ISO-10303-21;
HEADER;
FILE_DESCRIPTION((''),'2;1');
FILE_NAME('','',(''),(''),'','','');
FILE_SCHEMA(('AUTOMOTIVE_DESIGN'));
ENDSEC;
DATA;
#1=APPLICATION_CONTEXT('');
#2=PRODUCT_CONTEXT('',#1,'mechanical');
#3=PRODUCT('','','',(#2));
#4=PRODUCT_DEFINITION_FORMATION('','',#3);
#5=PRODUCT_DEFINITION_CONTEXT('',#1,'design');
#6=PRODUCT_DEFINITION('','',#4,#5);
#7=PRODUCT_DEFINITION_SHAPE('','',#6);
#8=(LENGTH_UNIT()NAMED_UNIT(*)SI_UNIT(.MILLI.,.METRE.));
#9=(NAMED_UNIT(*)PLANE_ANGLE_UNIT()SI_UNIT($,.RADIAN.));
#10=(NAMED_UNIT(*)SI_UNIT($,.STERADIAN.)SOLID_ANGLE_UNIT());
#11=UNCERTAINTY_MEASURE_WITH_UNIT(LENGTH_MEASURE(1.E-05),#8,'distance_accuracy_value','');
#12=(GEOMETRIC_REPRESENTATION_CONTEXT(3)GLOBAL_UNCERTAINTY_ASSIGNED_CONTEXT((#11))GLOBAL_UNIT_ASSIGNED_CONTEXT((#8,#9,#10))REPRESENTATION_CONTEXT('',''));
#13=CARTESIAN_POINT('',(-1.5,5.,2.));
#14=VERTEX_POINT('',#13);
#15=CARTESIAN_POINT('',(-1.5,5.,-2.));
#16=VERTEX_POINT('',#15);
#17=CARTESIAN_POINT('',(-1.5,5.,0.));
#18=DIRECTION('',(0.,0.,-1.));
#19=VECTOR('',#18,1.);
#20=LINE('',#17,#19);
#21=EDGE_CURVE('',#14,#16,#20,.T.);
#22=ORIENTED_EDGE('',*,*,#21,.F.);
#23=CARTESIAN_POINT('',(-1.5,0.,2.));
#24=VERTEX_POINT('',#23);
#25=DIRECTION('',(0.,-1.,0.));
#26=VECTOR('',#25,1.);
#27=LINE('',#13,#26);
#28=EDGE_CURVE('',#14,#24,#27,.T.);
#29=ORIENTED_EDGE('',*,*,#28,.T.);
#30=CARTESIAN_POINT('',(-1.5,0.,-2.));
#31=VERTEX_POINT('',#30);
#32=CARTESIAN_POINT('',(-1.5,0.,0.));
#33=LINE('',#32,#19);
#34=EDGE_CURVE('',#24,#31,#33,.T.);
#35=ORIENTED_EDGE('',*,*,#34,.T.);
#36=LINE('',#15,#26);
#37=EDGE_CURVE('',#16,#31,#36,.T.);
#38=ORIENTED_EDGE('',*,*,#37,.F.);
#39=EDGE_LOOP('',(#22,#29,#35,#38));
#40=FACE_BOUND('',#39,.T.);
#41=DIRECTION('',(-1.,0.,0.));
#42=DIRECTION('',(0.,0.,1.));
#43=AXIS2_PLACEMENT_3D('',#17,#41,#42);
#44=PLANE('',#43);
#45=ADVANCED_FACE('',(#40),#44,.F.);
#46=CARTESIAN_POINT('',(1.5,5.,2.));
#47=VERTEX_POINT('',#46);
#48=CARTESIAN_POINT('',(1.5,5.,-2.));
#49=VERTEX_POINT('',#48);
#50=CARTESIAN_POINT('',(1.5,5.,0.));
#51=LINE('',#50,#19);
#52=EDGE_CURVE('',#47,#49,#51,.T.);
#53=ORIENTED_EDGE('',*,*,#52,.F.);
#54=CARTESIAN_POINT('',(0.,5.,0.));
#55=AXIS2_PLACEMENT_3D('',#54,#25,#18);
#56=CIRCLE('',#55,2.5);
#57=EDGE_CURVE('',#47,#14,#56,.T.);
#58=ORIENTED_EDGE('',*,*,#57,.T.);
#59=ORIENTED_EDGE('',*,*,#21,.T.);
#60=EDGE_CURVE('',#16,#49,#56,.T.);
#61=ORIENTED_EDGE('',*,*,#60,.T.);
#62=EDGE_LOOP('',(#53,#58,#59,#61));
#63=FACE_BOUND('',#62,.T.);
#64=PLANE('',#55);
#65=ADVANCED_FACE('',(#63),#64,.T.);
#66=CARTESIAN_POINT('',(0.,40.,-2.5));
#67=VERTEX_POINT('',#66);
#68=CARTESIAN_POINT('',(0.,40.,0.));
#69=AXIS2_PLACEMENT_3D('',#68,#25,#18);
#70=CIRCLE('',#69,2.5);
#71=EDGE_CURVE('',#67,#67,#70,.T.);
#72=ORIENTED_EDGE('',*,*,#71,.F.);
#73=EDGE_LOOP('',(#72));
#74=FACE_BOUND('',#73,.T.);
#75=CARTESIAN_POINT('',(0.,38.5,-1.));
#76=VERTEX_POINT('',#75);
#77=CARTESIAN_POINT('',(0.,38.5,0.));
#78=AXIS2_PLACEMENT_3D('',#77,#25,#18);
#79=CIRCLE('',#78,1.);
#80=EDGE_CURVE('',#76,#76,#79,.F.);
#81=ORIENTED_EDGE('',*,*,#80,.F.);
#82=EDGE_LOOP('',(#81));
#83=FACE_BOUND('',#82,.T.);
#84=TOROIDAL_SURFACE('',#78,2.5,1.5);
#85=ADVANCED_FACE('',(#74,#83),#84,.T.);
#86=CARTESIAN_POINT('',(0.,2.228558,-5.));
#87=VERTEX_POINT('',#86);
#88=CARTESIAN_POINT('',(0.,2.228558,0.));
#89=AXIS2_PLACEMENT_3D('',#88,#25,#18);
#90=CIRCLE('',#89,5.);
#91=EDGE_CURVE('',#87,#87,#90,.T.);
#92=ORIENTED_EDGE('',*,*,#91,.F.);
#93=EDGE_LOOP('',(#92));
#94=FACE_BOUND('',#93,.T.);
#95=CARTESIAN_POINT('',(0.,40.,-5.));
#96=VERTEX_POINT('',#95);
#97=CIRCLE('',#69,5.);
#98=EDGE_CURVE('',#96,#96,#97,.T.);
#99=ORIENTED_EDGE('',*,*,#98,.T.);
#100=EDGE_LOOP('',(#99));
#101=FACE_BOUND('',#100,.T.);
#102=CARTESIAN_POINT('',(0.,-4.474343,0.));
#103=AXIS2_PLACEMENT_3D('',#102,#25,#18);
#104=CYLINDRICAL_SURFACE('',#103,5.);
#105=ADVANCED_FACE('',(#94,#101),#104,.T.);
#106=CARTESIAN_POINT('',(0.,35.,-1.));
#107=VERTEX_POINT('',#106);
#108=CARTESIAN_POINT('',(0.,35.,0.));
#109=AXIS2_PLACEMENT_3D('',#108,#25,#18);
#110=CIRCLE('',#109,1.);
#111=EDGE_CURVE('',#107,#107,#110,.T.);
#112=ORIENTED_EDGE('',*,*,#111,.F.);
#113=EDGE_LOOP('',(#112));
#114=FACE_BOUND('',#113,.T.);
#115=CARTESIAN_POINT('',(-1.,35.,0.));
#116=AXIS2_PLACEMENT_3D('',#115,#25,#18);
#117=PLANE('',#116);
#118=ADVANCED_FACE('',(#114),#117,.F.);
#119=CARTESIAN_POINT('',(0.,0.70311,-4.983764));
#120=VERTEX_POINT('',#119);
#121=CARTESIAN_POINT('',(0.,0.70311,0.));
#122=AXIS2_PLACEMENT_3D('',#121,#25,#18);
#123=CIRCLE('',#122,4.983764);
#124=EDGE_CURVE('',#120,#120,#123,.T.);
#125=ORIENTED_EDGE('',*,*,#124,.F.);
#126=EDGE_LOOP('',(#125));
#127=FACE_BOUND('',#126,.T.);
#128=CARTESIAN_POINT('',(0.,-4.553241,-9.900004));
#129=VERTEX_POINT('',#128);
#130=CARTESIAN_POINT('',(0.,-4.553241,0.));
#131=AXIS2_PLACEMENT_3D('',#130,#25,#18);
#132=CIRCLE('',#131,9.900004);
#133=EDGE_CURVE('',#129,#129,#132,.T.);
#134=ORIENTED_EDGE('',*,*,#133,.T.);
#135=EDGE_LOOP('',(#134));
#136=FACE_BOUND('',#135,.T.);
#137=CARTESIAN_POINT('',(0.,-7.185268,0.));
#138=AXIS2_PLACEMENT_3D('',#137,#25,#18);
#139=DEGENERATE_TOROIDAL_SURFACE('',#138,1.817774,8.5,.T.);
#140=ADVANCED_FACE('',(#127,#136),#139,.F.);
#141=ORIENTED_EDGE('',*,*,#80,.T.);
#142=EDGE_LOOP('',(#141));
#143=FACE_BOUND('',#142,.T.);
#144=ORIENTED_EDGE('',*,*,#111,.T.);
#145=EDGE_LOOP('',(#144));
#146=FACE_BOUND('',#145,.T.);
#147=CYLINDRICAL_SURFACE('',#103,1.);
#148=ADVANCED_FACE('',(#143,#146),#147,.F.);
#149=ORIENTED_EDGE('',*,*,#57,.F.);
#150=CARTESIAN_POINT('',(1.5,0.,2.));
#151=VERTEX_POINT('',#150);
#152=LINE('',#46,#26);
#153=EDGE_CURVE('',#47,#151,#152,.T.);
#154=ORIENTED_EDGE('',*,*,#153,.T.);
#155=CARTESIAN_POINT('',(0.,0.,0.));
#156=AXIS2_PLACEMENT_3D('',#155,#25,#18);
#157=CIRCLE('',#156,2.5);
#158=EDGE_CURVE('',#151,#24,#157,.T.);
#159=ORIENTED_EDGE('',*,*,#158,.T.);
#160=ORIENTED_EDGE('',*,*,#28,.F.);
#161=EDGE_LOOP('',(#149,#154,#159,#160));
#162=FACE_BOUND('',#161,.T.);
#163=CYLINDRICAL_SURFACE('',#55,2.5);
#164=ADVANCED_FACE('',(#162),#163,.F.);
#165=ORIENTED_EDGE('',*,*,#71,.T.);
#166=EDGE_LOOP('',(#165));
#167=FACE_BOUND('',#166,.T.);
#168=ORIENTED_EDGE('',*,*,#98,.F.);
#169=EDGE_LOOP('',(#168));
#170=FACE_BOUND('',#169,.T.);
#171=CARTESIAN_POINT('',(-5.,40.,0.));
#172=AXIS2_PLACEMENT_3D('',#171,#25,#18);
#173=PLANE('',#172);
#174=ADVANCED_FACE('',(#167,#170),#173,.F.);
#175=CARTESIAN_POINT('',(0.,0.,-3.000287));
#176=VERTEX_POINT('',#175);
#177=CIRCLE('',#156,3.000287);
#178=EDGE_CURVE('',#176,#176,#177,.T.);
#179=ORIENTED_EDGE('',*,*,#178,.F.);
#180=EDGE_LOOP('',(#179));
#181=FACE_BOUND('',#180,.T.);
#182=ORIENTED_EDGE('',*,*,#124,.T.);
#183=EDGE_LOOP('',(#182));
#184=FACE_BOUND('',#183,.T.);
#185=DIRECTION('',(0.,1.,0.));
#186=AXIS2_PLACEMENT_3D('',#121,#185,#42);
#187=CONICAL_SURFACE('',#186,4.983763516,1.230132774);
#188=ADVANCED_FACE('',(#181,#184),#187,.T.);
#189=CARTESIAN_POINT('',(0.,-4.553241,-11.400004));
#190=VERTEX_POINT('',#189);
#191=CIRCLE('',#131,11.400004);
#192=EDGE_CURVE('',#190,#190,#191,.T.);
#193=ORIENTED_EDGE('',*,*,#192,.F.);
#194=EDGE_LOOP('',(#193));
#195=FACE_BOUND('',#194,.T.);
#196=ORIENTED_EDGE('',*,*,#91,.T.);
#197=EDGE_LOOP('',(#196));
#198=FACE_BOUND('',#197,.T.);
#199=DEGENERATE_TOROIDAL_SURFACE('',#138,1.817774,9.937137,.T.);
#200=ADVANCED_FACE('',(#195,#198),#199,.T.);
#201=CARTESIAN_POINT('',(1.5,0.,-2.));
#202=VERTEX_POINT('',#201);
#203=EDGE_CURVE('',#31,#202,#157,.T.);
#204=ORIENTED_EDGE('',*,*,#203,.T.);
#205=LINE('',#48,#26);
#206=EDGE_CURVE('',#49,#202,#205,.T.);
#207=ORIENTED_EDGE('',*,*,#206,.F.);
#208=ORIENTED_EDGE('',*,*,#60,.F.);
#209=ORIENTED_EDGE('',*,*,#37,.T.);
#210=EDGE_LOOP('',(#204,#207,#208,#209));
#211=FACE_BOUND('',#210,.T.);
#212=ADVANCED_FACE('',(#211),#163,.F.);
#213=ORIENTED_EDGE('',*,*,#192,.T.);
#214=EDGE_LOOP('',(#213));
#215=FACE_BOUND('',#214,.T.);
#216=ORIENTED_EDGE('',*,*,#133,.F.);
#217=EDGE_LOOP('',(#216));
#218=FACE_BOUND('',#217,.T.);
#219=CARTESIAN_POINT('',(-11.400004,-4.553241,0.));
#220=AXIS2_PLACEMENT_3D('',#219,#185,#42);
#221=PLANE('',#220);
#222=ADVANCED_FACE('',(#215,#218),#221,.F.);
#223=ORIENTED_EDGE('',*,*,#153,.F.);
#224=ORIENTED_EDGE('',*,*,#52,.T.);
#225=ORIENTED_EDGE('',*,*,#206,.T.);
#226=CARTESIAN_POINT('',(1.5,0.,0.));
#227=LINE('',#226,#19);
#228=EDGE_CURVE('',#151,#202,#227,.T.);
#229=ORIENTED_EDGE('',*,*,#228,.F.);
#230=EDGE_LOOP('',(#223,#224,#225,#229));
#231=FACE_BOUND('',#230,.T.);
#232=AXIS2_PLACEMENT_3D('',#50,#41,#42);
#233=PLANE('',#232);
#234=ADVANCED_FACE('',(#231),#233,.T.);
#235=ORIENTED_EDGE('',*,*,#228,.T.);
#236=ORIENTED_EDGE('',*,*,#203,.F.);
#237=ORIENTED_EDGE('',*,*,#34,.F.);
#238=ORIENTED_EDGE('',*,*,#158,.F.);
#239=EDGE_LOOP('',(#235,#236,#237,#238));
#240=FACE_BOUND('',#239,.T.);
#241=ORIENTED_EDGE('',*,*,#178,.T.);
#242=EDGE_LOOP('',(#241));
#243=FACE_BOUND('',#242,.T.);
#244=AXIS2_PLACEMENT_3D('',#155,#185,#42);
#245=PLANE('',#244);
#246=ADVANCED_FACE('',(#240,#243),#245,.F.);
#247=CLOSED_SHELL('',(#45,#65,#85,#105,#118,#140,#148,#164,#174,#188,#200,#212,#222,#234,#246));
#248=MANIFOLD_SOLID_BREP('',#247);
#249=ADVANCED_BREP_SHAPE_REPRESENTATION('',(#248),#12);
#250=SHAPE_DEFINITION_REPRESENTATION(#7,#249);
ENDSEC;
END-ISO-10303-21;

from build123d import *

# Parameters (mm, degrees)
CUT_EXTRUDE1_DEPTH = 5
FILLET1_R          = 1.5


with BuildPart() as part:
    # Sketch1 → Revolve1 (revolve)
    with BuildSketch(Plane.XY, mode=Mode.PRIVATE) as revolve1_sk:
        with BuildLine():
            Line((-1, 35), (0, 35))
            Line((0, 35), (0, 0))
            Line((0, 0), (-3.000286873, 0))
            Line((-3.000286873, 0), (-4.983763516, 0.703110012))
            ThreePointArc((-4.983763516, 0.703110012), (-8.025665426, -1.379057303), (-9.900003631, -4.553241332))
            Line((-9.900003631, -4.553241332), (-11.400003631, -4.553241332))
            ThreePointArc((-11.400003631, -4.553241332), (-9.044878062, -0.365029449), (-5, 2.228558162))
            Line((-5, 2.228558162), (-5, 40))
            Line((-5, 40), (-1, 40))
            Line((-1, 40), (-1, 35))
        make_face()
    revolve(revolve1_sk.sketch.rotate(Axis((0, -4.474343066, 0), (0, 1, 0)), 270), axis=Axis((0, -4.474343066, 0), (0, 1, 0)))

    # Sketch2 → Cut-Extrude1 (cut)
    with BuildSketch(Plane.XZ):
        with BuildLine():
            ThreePointArc((1.5, 2), (0, 2.5), (-1.5, 2))
            Line((-1.5, 2), (1.5, 2))
        make_face()
        Polygon((-1.5, 2), (1.5, 2), (1.5, -2), align=None)
        Polygon((-1.5, 2), (1.5, -2), (-1.5, -2), align=None)
        with BuildLine():
            ThreePointArc((-1.5, -2), (0, -2.5), (1.5, -2))
            Line((1.5, -2), (-1.5, -2))
        make_face()
    extrude(amount=-CUT_EXTRUDE1_DEPTH, mode=Mode.SUBTRACT)

    # Fillet1
    fillet1_edges = [part.edges().sort_by_distance(p)[0] for p in [
        (0, 40, 1),
    ]]
    fillet(fillet1_edges, radius=FILLET1_R)


solid = part.part
